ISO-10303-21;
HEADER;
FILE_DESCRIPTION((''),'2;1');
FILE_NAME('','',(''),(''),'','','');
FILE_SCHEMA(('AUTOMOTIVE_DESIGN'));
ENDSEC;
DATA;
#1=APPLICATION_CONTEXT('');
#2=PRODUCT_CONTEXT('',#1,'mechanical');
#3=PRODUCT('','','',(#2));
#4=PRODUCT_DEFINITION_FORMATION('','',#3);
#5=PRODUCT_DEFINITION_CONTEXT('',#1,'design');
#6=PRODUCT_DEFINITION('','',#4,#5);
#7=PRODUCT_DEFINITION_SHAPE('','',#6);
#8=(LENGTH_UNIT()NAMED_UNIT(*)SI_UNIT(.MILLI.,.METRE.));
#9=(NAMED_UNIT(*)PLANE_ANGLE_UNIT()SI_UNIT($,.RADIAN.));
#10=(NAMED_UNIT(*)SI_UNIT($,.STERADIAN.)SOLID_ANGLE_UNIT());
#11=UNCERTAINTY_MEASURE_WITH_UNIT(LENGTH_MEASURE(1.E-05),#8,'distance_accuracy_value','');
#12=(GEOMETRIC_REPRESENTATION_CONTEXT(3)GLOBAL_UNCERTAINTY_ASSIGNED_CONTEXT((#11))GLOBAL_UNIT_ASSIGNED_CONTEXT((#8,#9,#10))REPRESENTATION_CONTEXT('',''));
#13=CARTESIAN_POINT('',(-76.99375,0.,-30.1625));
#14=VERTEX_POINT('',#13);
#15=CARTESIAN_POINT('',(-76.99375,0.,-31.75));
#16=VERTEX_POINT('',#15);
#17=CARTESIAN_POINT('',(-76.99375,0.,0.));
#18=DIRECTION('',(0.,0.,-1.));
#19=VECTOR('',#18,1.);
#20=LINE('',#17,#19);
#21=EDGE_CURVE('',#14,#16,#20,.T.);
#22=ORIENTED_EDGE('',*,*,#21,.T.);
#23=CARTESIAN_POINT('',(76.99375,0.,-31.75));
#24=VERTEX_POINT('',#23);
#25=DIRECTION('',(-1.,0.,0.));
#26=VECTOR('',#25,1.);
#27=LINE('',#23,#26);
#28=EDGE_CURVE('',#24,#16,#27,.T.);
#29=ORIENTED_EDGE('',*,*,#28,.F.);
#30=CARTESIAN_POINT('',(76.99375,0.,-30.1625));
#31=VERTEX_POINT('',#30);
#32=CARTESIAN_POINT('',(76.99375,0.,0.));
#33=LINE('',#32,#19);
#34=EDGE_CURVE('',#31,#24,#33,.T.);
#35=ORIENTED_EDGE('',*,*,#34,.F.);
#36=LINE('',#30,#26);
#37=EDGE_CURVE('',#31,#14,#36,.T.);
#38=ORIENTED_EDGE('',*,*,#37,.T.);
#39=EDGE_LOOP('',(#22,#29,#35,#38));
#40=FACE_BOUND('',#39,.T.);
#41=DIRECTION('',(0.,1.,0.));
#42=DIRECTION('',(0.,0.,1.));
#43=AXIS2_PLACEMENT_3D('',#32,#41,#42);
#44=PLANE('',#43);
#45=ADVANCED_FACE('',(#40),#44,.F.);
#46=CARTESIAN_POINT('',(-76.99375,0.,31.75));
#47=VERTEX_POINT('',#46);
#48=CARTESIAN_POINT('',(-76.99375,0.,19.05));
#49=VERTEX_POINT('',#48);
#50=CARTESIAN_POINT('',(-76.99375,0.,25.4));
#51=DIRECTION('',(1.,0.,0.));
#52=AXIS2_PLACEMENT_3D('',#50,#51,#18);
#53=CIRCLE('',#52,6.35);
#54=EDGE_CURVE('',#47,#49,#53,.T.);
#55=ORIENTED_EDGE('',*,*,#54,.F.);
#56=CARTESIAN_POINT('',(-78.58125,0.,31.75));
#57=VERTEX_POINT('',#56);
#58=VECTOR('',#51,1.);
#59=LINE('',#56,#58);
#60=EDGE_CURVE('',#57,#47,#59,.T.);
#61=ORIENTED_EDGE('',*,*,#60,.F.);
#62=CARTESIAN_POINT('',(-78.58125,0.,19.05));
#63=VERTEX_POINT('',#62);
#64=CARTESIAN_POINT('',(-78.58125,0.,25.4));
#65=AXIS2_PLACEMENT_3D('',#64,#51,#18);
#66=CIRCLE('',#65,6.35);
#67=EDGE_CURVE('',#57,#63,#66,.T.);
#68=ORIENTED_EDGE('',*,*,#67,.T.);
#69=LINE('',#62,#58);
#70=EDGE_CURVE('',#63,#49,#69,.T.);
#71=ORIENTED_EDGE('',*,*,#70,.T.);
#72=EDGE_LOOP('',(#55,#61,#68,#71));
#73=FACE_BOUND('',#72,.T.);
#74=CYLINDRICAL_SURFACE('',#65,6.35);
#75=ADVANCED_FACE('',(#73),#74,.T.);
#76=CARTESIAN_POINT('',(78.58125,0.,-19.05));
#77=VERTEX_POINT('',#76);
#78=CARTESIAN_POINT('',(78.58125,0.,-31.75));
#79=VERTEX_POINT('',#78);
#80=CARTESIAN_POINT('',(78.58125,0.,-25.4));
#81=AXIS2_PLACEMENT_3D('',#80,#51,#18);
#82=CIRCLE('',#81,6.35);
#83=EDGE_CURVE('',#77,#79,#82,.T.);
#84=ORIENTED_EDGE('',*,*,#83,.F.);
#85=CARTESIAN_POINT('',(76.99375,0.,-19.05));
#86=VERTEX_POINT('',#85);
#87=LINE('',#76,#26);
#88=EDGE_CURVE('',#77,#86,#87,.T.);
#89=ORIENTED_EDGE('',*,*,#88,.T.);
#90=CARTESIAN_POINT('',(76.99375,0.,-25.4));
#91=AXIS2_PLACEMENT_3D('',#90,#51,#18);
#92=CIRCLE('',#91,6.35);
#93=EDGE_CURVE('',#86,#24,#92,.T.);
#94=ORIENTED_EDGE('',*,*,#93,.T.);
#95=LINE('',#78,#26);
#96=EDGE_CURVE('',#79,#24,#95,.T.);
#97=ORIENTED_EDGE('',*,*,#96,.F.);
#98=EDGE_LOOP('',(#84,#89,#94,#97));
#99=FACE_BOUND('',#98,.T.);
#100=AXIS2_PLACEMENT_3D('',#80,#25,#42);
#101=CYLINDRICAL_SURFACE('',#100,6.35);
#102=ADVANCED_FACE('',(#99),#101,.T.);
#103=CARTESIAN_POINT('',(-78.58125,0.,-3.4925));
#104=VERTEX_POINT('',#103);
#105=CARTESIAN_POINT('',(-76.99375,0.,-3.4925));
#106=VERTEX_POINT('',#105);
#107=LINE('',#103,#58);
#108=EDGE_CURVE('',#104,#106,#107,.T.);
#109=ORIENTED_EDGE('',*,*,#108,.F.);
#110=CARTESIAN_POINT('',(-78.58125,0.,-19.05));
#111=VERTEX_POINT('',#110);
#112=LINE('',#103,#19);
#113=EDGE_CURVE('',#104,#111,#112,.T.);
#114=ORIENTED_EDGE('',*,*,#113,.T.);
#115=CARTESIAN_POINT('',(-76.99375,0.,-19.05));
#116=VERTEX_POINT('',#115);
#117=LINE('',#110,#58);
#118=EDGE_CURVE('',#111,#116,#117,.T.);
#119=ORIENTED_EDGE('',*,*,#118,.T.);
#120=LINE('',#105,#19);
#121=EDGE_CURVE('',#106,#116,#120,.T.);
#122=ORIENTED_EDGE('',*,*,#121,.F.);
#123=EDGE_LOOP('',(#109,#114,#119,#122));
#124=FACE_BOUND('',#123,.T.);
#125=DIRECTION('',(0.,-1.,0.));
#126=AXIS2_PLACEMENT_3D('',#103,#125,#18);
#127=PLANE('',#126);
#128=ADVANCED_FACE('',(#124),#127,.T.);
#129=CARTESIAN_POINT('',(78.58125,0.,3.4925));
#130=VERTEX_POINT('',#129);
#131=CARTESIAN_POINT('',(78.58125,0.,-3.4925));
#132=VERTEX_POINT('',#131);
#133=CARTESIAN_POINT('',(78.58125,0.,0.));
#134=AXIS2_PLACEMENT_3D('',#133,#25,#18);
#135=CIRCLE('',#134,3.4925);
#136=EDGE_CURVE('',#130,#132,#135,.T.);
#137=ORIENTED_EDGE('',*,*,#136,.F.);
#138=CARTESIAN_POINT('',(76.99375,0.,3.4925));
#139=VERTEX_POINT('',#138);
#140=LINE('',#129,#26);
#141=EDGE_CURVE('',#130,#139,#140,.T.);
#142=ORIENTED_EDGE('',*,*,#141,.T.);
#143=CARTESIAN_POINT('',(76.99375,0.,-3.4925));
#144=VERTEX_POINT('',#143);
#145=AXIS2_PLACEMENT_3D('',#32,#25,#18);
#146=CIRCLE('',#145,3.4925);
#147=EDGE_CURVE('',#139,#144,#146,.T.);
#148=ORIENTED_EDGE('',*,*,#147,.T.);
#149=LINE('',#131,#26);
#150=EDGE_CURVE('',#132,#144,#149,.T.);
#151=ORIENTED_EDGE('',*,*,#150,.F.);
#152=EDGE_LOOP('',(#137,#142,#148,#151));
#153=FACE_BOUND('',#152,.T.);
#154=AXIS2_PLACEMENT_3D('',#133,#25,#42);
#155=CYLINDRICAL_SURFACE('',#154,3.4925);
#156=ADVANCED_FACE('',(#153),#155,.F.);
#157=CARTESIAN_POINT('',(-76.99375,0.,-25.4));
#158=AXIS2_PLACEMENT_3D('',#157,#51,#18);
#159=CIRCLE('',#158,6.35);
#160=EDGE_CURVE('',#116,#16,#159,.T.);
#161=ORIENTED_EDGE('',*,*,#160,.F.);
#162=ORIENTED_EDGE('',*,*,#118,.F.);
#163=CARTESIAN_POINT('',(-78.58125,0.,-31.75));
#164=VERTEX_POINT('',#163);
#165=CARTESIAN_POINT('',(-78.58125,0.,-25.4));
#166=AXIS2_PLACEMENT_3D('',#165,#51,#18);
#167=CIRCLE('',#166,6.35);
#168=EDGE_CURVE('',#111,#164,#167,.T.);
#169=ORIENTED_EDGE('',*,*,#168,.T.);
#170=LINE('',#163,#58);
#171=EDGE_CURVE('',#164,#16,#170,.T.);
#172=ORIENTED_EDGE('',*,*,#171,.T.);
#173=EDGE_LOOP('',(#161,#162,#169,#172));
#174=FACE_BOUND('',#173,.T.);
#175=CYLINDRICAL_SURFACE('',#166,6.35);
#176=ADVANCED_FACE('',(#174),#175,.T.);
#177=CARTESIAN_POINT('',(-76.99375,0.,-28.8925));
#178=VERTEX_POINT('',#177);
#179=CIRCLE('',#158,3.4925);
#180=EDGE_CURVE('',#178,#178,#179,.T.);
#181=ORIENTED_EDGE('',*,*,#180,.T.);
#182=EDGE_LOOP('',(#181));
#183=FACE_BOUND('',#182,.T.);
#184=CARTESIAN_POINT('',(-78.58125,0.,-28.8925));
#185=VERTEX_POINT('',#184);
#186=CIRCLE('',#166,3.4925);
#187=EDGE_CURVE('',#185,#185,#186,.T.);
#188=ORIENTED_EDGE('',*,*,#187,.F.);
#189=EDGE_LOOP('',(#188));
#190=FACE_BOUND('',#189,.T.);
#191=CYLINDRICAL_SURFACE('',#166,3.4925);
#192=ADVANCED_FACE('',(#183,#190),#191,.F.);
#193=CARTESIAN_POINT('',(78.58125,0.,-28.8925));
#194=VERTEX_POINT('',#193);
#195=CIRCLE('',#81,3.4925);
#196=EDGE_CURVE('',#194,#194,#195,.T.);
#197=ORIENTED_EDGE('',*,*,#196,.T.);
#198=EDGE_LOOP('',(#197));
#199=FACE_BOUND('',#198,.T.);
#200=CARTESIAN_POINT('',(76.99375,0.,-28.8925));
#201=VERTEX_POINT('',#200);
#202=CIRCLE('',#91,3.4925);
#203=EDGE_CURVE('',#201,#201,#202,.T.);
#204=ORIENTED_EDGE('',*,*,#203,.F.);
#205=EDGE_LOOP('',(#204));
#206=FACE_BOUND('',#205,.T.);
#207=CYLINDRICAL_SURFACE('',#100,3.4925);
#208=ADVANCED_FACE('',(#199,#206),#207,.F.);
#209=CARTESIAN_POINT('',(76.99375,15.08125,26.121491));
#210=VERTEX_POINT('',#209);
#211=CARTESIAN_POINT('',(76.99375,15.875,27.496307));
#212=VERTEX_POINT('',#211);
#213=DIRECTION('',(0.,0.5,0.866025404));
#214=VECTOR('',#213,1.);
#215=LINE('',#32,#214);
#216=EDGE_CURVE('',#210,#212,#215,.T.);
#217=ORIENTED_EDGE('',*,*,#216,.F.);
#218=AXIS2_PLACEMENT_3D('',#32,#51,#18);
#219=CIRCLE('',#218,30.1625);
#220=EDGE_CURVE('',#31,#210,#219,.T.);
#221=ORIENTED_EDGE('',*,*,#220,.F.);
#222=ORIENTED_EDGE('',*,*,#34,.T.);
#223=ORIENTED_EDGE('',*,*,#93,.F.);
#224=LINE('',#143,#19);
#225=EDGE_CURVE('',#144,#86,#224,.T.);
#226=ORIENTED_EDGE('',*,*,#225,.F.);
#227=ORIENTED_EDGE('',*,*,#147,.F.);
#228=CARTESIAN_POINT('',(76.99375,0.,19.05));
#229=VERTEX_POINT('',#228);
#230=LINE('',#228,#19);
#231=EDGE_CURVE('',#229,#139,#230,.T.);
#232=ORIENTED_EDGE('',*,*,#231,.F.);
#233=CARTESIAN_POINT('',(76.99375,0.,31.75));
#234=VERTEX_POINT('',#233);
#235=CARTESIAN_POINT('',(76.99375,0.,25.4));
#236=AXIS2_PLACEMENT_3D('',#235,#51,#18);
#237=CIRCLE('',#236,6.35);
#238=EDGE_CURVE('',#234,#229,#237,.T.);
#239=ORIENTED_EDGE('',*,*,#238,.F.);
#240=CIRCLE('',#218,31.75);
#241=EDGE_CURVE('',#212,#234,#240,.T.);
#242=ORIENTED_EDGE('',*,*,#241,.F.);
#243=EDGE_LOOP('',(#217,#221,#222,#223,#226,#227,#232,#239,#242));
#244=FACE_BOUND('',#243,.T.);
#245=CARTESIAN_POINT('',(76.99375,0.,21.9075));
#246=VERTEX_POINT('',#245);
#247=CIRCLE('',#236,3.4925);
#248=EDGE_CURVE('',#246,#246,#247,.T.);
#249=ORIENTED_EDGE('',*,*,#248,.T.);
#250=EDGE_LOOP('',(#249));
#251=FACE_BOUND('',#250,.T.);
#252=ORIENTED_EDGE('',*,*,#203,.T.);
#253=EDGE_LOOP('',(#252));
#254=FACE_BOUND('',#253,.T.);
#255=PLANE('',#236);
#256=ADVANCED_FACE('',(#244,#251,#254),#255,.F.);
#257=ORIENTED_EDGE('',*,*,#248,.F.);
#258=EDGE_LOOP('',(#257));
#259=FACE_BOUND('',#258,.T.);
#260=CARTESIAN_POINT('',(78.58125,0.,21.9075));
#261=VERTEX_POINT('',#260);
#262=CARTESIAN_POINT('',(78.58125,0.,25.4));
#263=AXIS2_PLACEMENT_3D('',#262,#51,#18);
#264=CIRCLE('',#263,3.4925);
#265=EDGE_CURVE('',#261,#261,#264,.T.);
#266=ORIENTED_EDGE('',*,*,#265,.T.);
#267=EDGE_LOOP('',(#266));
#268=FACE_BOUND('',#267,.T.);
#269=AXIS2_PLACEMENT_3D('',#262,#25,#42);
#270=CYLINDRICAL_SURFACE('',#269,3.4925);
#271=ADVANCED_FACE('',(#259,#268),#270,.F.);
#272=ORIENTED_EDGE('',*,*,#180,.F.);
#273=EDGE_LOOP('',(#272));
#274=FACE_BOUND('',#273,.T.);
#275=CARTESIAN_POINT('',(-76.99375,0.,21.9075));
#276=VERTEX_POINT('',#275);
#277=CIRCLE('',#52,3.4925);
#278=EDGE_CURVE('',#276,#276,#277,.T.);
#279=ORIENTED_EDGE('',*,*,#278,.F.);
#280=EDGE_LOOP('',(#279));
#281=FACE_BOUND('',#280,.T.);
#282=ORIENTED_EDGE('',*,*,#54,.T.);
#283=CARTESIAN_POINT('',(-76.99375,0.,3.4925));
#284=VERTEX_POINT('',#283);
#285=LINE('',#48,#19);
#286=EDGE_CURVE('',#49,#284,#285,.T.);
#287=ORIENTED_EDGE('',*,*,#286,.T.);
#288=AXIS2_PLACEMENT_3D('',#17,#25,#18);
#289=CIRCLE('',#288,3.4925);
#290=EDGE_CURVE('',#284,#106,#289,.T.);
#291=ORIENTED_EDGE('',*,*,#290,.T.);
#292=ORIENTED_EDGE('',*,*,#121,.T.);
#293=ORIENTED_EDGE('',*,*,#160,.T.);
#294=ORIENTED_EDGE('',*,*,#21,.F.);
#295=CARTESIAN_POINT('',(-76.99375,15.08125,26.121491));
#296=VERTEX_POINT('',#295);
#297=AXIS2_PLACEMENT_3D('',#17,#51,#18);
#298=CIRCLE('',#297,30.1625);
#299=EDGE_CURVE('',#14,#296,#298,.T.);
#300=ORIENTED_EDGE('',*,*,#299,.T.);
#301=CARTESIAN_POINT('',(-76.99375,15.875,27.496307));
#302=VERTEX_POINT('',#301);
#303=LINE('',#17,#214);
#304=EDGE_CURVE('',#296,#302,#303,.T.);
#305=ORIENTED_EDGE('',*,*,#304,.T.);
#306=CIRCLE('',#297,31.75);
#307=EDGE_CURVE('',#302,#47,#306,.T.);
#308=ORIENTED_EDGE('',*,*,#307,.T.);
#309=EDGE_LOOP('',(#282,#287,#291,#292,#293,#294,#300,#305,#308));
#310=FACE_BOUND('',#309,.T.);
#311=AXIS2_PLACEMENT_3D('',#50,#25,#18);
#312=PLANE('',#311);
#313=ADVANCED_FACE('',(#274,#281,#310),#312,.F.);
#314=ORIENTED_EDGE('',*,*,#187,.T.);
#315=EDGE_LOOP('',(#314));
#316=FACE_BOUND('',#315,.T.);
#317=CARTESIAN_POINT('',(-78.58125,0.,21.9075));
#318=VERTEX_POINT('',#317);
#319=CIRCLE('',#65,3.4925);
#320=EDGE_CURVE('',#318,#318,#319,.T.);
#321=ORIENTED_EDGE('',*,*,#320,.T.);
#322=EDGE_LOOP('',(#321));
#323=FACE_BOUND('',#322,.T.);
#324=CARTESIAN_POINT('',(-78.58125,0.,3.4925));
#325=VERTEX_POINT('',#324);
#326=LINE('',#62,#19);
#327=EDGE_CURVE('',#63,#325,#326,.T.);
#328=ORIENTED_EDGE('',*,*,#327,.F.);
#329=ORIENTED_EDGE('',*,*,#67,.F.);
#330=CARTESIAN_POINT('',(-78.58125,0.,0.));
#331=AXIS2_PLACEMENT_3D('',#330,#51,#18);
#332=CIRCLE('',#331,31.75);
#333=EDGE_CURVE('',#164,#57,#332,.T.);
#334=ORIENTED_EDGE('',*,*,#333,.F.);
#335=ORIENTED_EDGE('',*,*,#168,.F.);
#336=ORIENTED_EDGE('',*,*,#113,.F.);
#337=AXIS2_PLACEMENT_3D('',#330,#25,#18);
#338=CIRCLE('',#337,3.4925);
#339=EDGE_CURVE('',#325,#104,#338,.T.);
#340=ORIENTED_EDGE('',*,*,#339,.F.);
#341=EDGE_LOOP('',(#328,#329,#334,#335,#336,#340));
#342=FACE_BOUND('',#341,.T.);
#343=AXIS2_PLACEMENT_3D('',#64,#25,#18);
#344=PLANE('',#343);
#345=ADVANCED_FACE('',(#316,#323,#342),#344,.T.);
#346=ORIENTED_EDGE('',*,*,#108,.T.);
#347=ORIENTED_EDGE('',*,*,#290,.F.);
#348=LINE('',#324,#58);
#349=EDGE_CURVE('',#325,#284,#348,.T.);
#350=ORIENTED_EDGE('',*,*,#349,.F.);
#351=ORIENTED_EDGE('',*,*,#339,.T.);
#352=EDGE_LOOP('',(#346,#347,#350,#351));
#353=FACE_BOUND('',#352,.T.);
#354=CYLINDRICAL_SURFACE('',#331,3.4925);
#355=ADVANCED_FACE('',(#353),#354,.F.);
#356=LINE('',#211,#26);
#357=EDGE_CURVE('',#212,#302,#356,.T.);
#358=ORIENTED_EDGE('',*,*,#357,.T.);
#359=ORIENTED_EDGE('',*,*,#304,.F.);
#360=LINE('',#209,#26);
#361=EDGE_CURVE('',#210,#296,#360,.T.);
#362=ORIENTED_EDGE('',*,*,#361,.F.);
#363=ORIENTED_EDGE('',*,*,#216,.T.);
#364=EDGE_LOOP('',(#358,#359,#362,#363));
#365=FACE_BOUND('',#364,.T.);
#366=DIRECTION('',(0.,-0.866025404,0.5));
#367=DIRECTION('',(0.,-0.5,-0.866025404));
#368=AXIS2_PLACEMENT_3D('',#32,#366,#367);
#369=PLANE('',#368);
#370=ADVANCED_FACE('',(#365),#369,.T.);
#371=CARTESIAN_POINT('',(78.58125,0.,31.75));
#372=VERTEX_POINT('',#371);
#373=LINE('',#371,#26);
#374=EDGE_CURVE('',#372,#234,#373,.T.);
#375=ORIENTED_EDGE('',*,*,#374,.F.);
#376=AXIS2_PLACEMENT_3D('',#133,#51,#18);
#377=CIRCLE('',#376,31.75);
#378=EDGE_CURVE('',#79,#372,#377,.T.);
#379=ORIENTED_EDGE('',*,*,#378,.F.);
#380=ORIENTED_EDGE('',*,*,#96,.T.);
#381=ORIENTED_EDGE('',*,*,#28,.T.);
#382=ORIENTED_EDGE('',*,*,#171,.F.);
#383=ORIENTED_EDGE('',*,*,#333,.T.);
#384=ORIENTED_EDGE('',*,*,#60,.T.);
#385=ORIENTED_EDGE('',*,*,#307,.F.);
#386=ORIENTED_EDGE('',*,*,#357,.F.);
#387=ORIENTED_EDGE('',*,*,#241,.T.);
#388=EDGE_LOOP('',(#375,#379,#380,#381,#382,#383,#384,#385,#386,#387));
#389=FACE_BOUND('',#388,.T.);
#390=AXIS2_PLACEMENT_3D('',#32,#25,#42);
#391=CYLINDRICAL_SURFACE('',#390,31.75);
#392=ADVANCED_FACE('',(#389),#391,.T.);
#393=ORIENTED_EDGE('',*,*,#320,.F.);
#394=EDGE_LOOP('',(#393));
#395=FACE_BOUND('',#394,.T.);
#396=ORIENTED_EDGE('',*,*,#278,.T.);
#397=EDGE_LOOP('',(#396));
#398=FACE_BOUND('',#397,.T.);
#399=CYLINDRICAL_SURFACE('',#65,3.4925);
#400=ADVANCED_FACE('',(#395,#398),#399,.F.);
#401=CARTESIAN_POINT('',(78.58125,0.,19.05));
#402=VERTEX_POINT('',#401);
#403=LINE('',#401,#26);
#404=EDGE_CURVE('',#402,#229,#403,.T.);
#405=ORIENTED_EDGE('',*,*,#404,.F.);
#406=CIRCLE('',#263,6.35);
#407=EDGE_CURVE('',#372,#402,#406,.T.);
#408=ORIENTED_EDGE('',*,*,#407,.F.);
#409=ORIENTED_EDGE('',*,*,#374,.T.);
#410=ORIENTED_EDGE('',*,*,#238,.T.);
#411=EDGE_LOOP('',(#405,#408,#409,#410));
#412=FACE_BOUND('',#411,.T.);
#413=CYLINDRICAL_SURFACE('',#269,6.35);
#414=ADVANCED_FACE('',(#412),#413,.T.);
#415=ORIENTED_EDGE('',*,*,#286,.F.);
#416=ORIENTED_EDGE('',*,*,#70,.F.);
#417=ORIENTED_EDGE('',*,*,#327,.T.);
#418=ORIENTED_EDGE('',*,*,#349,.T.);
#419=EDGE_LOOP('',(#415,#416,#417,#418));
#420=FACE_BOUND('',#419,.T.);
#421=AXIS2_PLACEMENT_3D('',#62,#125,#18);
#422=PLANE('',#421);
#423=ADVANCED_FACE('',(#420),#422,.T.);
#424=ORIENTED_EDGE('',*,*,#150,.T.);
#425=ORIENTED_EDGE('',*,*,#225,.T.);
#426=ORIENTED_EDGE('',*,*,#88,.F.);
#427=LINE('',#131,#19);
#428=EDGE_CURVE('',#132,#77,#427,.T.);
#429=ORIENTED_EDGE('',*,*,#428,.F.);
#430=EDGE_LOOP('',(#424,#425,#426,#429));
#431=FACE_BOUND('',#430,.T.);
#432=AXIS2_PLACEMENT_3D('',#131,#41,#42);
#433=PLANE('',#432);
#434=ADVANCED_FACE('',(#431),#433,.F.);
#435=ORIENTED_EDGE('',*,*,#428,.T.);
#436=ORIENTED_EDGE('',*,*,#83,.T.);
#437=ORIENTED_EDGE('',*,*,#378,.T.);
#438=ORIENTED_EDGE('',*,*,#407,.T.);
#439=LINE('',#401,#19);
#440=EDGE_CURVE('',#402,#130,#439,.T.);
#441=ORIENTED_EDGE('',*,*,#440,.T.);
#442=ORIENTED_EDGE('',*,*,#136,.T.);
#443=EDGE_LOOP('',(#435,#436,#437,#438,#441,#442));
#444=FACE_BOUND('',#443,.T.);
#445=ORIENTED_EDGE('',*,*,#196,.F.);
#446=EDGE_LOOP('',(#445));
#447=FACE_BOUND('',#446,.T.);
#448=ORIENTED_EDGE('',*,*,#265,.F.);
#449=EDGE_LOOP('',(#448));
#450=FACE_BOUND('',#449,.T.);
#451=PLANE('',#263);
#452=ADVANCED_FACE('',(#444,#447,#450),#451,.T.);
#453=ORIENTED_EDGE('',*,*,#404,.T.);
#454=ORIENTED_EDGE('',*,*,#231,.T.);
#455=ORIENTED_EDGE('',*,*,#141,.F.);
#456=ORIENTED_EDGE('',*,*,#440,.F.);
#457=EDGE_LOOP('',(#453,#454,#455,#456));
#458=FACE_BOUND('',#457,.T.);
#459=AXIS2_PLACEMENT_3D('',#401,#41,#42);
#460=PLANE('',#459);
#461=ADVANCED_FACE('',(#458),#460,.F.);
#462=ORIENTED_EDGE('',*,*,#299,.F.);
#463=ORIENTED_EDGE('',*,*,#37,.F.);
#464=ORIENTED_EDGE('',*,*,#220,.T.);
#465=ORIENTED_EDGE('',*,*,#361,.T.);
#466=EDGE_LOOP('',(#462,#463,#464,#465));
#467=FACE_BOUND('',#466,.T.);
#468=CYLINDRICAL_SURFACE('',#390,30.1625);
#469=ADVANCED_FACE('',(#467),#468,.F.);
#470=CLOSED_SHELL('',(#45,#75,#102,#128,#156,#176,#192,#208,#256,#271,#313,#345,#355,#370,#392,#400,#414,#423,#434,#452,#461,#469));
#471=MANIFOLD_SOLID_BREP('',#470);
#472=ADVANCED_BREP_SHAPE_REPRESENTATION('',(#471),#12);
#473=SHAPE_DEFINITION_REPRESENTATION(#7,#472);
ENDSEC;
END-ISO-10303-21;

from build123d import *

# Parameters (mm, degrees)
BOSS_EXTRUDE1_DEPTH = 76.99375
SKETCH2_R           = 3.4925
BOSS_EXTRUDE2_DEPTH = 1.5875


with BuildPart() as part:
    # Sketch1 → Boss-Extrude1 (new body, symmetric)
    with BuildSketch(Plane(origin=(0, 0, 0), x_dir=(0, 0, -1), z_dir=(1, 0, 0))):
        with BuildLine():
            ThreePointArc((-26.121491242, 15.08125), (7.806629448, 29.134737735), (30.1625, 0))
            Line((30.1625, 0), (31.75, 0))
            ThreePointArc((31.75, 0), (8.217504682, 30.668144985), (-27.49630657, 15.875))
            Line((-27.49630657, 15.875), (-26.121491242, 15.08125))
        make_face()
    extrude(amount=BOSS_EXTRUDE1_DEPTH, both=True)

    # Sketch2 → Boss-Extrude2 (add)
    with BuildSketch(Plane(origin=(76.99375, 0, 0), x_dir=(0, 0, -1), z_dir=(1, 0, 0))):
        with BuildLine():
            Line((-19.05, 0), (-3.4925, 0))
            ThreePointArc((-3.4925, 0), (0, 3.4925), (3.4925, 0))
            Line((3.4925, 0), (19.05, 0))
            ThreePointArc((19.05, 0), (25.4, -6.35), (31.75, 0))
            ThreePointArc((31.75, 0), (0, 31.75), (-31.75, 0))
            ThreePointArc((-31.75, 0), (-25.4, -6.35), (-19.05, 0))
        make_face()
        with Locations((-25.4, 0)):
            Circle(SKETCH2_R, mode=Mode.SUBTRACT)
        with Locations((25.4, 0)):
            Circle(SKETCH2_R, mode=Mode.SUBTRACT)
    boss_extrude2 = extrude(amount=BOSS_EXTRUDE2_DEPTH)

    # Mirror1: Boss-Extrude2 across plane
    add(boss_extrude2.mirror(Plane(origin=(0, 0, 0), x_dir=(0, 0, 1), z_dir=(1, 0, 0))))


solid = part.part
